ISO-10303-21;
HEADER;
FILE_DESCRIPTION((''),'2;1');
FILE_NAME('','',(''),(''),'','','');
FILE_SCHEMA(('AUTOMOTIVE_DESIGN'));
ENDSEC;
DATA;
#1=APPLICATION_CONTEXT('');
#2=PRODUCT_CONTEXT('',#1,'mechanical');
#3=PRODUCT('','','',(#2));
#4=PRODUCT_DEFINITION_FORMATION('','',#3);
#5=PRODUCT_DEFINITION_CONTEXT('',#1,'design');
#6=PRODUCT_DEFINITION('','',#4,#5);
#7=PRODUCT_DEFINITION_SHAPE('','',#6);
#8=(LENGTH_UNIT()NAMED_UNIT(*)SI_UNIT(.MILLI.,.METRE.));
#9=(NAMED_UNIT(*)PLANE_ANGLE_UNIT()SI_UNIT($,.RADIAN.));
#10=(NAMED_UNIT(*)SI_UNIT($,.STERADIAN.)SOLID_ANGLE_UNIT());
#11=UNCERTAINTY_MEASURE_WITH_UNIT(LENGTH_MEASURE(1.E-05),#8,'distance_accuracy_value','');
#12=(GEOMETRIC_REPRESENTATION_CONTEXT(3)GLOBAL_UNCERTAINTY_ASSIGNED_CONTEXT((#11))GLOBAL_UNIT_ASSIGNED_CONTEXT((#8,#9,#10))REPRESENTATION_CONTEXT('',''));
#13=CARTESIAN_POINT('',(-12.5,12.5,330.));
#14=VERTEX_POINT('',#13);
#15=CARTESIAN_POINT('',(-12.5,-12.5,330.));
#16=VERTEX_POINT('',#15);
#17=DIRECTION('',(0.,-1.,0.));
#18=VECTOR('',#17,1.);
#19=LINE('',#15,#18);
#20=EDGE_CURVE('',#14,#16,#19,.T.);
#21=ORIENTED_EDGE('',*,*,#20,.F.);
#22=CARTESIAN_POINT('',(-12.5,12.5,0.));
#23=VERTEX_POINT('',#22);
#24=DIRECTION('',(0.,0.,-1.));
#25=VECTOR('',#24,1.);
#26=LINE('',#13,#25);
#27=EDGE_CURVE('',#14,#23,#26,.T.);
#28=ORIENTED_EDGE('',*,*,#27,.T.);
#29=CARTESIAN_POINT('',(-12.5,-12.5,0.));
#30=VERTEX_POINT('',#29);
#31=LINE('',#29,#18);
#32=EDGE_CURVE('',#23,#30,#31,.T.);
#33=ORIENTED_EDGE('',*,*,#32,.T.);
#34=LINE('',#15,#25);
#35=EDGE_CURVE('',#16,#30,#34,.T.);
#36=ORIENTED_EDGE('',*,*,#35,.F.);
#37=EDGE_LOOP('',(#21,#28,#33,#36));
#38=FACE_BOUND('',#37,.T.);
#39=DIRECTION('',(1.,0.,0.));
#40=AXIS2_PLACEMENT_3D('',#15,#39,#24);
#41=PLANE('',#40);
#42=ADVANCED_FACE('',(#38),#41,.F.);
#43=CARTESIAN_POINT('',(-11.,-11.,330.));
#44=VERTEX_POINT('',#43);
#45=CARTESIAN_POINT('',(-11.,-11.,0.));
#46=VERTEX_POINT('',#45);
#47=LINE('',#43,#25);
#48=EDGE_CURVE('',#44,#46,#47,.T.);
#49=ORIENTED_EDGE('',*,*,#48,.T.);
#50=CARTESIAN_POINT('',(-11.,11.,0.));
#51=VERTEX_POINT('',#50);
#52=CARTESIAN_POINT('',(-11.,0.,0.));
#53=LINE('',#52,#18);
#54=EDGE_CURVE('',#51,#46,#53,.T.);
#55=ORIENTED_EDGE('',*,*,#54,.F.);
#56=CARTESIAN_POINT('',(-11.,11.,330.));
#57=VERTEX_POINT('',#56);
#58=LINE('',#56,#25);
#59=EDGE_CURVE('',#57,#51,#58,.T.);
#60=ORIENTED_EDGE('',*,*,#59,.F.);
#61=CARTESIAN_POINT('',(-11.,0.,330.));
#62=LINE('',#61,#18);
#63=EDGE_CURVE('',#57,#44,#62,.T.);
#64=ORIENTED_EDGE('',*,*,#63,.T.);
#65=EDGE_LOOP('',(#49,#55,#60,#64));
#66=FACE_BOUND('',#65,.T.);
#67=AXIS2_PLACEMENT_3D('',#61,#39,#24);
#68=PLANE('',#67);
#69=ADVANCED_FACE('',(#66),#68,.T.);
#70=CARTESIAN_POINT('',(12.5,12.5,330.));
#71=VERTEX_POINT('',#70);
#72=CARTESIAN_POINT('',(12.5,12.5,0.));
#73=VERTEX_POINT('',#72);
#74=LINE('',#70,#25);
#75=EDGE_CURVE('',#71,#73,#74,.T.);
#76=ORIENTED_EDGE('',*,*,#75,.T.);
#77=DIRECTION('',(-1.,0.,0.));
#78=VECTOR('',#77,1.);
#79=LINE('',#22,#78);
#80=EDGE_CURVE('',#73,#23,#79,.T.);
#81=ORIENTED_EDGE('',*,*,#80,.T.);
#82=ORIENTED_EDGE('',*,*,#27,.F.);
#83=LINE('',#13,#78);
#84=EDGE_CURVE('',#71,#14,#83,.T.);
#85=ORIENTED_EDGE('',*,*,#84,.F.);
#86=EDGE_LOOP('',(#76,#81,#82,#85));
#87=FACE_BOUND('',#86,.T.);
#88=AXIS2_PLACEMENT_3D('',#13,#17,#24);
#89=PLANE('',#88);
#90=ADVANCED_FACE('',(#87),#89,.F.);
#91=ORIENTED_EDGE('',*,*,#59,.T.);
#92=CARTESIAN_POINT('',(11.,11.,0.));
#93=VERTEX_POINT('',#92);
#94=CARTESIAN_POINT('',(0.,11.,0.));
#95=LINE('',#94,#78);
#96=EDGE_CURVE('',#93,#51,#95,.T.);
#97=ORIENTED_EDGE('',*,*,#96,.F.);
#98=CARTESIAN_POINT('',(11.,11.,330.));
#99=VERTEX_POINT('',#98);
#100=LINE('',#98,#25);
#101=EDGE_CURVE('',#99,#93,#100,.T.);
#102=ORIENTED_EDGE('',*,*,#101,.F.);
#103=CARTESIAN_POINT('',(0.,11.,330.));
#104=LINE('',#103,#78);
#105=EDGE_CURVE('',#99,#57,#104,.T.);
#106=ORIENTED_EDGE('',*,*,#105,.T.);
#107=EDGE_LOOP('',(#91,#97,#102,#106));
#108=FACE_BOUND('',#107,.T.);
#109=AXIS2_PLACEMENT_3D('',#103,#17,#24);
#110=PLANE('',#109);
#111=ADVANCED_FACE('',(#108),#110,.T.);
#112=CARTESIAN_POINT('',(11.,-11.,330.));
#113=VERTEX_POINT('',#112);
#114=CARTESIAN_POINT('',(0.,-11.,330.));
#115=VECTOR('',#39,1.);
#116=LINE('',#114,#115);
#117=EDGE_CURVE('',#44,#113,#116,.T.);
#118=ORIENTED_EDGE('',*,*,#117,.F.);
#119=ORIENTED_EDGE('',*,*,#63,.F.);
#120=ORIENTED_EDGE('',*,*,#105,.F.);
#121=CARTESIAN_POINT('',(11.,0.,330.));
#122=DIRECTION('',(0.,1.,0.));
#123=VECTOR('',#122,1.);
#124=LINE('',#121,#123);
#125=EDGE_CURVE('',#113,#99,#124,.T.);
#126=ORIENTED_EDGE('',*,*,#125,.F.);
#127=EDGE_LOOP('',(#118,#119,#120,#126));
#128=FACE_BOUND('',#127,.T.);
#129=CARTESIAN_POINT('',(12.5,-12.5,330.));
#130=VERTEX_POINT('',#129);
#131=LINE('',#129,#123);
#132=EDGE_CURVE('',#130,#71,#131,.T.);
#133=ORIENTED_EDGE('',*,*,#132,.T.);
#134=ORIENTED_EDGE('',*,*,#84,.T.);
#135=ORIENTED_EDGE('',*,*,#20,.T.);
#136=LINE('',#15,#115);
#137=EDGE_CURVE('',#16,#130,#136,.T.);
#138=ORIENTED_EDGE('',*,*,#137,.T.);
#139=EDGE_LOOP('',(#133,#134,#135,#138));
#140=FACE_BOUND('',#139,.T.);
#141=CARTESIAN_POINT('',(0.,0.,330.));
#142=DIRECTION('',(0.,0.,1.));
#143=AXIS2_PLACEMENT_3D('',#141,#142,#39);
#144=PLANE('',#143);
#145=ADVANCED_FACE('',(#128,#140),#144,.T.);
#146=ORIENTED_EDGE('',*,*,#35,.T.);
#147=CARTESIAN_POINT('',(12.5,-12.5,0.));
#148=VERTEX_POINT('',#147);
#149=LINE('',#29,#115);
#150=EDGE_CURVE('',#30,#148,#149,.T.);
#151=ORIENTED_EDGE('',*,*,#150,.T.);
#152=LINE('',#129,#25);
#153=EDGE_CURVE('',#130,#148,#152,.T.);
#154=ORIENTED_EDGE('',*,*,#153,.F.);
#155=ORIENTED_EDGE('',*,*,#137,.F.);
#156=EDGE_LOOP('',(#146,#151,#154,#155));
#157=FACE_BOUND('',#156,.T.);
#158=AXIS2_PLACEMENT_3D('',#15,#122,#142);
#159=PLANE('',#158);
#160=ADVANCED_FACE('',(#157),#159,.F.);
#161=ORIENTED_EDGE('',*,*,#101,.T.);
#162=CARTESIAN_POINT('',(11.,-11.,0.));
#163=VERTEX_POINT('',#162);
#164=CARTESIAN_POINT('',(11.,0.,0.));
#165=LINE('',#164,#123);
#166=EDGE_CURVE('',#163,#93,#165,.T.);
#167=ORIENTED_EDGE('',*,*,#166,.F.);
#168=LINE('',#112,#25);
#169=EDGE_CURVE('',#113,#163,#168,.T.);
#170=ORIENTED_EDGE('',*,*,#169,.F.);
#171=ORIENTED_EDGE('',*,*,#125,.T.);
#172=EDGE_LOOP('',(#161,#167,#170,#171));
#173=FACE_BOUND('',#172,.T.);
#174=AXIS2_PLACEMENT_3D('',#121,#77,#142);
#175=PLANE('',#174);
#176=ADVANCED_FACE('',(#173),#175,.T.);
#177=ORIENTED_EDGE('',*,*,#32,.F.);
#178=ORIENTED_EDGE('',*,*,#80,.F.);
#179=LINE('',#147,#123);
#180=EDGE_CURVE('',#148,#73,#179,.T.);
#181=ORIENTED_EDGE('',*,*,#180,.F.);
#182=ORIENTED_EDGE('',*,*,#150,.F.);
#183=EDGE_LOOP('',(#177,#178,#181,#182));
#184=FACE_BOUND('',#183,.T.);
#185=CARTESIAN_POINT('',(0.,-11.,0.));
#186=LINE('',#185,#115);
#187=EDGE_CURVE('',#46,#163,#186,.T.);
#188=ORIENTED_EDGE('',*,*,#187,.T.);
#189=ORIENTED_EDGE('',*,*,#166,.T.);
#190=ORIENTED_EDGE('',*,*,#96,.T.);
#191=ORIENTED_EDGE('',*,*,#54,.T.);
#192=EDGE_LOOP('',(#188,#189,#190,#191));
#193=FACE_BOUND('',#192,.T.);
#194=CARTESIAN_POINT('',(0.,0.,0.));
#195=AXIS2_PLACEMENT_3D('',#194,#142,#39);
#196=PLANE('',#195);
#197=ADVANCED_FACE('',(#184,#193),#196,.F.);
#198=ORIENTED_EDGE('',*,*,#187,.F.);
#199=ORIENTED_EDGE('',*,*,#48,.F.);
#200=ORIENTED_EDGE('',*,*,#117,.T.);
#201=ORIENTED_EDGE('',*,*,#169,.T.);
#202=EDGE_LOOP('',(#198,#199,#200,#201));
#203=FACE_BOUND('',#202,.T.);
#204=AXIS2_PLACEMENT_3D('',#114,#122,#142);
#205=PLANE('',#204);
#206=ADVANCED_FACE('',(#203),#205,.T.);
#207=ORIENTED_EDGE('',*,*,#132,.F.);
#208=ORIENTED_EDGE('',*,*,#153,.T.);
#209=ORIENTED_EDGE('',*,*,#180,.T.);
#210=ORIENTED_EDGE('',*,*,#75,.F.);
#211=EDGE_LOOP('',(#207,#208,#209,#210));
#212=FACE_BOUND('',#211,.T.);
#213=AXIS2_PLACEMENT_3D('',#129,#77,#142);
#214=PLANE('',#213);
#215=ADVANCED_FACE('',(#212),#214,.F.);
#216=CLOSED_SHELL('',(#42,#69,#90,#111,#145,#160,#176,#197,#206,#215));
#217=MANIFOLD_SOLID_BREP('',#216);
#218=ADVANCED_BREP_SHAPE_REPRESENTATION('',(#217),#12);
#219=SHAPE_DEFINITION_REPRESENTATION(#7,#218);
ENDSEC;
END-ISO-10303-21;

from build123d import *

# Parameters (mm, degrees)
SKETCH_1_W      = 25
SKETCH_1_H      = 25
SKETCH_1_W_2    = 22
SKETCH_1_H_2    = 22
EXTRUDE_1_DEPTH = 330


with BuildPart() as part:
    # Эскиз1 → Вытянуть-Тонкостенный1 (new body)
    with BuildSketch(Plane.XY):
        Rectangle(SKETCH_1_W, SKETCH_1_H)
        Rectangle(SKETCH_1_W_2, SKETCH_1_H_2, mode=Mode.SUBTRACT)
    extrude(amount=EXTRUDE_1_DEPTH)


solid = part.part
